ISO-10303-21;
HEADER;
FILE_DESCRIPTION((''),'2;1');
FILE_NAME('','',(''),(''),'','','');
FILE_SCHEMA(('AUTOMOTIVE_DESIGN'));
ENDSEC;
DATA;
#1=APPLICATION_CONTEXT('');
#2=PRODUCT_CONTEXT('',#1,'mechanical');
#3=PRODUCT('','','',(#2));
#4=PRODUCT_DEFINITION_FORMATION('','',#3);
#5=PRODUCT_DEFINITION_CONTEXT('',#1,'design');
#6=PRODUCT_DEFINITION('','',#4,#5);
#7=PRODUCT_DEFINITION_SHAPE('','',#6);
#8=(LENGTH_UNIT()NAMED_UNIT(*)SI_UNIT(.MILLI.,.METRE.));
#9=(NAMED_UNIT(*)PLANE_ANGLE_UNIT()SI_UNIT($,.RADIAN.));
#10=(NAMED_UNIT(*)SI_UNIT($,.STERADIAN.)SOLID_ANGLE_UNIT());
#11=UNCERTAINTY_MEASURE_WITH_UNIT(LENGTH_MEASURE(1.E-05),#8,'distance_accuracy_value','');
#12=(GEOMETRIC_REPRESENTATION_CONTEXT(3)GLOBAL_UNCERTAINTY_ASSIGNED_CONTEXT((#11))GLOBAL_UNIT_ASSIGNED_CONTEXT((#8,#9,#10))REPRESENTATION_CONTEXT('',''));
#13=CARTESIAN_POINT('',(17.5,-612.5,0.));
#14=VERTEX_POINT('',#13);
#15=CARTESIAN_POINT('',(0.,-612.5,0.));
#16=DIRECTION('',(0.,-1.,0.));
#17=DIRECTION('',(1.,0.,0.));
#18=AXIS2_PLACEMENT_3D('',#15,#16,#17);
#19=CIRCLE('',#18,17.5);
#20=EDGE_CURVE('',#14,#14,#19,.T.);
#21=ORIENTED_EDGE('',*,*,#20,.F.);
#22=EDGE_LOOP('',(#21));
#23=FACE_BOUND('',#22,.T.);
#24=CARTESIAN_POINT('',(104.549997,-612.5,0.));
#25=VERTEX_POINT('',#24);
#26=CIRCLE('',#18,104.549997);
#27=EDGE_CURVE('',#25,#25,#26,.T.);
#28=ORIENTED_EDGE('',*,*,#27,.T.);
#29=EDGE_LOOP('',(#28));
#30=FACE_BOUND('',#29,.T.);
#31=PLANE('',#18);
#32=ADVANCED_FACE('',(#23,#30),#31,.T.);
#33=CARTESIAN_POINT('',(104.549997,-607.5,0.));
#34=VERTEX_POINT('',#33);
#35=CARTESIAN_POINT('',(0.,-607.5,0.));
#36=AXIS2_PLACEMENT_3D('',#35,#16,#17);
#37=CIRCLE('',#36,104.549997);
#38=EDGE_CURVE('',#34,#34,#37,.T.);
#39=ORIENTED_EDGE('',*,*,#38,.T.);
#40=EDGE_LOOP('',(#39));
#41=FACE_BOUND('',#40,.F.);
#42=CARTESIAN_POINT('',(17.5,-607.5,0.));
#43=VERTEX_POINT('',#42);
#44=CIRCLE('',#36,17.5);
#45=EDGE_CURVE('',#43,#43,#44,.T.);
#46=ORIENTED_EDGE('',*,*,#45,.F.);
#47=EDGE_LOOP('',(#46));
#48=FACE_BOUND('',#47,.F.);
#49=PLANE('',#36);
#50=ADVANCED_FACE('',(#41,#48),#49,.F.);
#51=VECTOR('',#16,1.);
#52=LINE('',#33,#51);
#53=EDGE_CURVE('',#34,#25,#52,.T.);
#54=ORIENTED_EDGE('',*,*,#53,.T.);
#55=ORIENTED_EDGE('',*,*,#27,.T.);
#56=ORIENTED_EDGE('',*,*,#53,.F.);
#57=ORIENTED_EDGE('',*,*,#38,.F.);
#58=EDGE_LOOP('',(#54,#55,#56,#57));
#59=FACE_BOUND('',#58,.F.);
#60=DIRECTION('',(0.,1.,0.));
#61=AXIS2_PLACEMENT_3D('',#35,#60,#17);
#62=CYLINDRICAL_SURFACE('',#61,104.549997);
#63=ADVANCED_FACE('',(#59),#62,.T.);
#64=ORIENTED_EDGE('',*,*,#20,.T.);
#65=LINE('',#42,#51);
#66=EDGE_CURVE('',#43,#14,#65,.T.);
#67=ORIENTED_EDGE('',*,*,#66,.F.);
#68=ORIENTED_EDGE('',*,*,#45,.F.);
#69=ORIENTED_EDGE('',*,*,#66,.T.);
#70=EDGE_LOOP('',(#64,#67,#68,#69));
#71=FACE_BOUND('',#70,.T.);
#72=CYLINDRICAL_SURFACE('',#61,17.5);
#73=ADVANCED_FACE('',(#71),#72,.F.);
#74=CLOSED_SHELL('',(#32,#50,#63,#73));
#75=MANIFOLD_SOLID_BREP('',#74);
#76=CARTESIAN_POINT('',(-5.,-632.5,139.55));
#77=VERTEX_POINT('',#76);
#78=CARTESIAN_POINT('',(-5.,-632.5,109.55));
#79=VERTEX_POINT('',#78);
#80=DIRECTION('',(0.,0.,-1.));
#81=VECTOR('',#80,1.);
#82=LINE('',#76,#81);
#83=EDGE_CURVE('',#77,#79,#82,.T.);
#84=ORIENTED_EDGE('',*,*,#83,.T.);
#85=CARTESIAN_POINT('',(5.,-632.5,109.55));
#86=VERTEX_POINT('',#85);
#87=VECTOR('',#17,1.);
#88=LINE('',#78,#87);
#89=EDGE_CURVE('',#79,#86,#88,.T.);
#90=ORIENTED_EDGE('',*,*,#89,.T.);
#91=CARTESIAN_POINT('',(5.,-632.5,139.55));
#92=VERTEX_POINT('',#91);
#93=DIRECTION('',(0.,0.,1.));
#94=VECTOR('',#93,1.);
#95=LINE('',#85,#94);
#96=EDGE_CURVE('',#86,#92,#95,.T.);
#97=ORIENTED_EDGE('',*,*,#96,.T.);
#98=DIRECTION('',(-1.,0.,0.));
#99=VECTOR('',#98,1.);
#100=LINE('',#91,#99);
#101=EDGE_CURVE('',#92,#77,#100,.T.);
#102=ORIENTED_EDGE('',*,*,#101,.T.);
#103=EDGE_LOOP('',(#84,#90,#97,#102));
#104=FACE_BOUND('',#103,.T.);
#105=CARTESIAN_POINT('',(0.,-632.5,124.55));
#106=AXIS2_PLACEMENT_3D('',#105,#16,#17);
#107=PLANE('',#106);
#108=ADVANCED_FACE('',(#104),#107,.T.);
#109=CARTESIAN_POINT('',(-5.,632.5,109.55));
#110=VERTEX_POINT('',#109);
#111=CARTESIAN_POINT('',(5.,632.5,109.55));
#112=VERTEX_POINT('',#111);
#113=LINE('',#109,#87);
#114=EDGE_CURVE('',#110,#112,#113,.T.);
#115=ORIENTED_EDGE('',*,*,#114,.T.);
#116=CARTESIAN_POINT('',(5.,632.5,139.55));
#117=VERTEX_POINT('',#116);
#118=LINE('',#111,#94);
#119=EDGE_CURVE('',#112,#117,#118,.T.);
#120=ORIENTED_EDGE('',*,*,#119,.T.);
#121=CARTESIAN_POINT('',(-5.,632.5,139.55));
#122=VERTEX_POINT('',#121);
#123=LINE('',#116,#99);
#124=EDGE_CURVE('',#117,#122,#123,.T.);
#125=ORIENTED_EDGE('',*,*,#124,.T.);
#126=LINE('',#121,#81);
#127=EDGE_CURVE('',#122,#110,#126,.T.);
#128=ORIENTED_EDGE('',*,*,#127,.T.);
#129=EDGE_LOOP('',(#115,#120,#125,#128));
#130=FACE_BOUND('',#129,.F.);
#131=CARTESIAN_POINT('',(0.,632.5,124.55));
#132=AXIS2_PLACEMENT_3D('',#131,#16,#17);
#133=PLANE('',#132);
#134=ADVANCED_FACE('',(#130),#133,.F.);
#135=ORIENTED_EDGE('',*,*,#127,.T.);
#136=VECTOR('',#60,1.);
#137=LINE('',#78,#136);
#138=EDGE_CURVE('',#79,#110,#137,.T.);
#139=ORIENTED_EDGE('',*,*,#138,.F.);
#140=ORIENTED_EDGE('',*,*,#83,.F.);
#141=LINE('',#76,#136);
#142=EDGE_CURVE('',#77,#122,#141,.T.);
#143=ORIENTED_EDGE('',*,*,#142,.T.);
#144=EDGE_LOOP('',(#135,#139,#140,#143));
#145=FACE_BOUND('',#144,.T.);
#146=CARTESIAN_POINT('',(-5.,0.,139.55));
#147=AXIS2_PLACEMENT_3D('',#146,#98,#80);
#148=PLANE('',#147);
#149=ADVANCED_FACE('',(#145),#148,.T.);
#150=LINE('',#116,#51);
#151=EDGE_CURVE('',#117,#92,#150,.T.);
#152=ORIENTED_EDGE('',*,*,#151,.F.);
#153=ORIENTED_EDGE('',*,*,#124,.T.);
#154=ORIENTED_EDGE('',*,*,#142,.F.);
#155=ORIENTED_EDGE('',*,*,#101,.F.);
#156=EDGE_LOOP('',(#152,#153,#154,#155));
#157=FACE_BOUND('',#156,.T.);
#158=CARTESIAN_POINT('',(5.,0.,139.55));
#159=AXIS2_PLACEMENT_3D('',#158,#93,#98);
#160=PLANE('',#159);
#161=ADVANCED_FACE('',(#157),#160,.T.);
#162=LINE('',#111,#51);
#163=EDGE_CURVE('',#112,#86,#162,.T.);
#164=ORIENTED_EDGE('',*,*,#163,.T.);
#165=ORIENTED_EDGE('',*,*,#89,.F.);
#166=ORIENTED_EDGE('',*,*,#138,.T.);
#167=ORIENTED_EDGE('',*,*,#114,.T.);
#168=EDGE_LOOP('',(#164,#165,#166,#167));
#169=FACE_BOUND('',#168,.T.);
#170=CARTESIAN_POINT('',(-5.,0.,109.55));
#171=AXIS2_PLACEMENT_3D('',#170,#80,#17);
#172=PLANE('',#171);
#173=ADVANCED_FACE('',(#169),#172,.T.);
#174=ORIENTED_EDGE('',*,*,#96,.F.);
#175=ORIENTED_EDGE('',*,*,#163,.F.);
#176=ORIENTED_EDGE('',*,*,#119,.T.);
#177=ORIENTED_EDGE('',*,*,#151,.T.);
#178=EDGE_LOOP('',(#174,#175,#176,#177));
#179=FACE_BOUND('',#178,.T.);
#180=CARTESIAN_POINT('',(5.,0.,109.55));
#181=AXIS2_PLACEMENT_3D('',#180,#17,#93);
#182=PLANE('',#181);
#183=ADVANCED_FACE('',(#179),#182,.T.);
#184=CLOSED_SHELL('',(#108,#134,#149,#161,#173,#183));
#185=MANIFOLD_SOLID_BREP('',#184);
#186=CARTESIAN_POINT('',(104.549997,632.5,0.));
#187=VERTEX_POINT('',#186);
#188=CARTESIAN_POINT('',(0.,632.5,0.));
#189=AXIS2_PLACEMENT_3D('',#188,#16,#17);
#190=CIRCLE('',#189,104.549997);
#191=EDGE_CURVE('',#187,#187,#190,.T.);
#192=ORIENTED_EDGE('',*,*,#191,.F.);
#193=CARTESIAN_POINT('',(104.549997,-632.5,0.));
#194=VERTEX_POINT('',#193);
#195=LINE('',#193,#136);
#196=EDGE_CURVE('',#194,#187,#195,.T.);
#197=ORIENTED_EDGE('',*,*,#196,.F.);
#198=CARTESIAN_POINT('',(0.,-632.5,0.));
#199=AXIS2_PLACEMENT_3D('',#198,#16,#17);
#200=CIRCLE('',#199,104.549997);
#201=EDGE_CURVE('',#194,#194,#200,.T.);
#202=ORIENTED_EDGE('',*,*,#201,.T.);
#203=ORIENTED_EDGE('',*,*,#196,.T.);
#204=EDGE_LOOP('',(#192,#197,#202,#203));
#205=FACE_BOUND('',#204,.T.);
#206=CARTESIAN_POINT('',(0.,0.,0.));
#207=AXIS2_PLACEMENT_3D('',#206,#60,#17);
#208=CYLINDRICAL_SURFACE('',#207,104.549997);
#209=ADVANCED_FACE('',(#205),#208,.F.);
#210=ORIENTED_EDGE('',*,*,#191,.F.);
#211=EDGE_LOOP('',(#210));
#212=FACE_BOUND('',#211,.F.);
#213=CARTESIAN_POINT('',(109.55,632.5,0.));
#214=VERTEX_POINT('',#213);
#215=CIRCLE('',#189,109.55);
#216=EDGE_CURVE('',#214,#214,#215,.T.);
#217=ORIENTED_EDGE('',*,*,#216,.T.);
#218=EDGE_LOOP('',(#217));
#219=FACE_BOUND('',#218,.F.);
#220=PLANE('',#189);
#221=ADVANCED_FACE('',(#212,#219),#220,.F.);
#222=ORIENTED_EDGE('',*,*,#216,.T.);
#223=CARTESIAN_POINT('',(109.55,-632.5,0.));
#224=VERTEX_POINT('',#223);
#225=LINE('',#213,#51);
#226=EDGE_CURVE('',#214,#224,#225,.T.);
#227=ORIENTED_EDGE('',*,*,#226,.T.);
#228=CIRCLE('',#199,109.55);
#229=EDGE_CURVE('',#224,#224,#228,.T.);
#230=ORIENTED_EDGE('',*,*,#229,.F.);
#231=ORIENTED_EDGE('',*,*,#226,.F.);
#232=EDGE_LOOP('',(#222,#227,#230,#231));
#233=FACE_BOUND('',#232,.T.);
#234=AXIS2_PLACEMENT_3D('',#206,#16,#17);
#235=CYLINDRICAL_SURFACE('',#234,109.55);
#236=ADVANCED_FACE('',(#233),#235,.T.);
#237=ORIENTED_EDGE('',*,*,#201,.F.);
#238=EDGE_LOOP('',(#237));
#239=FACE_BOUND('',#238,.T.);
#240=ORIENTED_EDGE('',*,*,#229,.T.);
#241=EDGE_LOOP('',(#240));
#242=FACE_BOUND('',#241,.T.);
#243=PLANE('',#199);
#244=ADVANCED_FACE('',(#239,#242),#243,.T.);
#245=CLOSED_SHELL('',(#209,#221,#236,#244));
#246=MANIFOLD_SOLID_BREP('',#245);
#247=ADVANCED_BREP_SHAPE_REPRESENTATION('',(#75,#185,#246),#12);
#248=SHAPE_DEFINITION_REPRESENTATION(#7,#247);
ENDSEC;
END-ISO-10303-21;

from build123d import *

# Parameters (mm, degrees)
F1_R          = 104.5499965549
F2_DEPTH      = 632.5
F3_START      = 607.5
F1_R_2        = 17.5
F3_DEPTH      = 5
F4_DEPTH      = 632.5
F4_DEPTH_BACK = 632.5


with BuildPart() as f2:
    # F1 (on Front) → F2 (new body, symmetric)
    with BuildSketch(Plane.XZ):
        with BuildLine():
            ThreePointArc((0, 109.55), (-77.463547879, -77.463547879), (109.55, 0))
            ThreePointArc((109.55, 0), (77.463547879, 77.463547879), (0, 109.55))
        make_face()
        Circle(F1_R, mode=Mode.SUBTRACT)
    extrude(amount=F2_DEPTH, both=True)


with BuildPart() as f3:
    # F1 (on Front) → F3 (new body)
    with BuildSketch(Plane.XZ.offset(F3_START)):
        Circle(F1_R)
        Circle(F1_R_2, mode=Mode.SUBTRACT)
    extrude(amount=F3_DEPTH)


with BuildPart() as f4:
    # F1 (on Front) → F4 (new body, two sides)
    with BuildSketch(Plane.XZ) as f4_sk:
        Polygon((-5, 109.55), (0, 109.55), (5, 109.55), (5, 139.55), (-5, 139.55), align=None)
    extrude(amount=F4_DEPTH)
    extrude(f4_sk.sketch, amount=-F4_DEPTH_BACK)


solid = Compound([f2.part, f3.part, f4.part])
